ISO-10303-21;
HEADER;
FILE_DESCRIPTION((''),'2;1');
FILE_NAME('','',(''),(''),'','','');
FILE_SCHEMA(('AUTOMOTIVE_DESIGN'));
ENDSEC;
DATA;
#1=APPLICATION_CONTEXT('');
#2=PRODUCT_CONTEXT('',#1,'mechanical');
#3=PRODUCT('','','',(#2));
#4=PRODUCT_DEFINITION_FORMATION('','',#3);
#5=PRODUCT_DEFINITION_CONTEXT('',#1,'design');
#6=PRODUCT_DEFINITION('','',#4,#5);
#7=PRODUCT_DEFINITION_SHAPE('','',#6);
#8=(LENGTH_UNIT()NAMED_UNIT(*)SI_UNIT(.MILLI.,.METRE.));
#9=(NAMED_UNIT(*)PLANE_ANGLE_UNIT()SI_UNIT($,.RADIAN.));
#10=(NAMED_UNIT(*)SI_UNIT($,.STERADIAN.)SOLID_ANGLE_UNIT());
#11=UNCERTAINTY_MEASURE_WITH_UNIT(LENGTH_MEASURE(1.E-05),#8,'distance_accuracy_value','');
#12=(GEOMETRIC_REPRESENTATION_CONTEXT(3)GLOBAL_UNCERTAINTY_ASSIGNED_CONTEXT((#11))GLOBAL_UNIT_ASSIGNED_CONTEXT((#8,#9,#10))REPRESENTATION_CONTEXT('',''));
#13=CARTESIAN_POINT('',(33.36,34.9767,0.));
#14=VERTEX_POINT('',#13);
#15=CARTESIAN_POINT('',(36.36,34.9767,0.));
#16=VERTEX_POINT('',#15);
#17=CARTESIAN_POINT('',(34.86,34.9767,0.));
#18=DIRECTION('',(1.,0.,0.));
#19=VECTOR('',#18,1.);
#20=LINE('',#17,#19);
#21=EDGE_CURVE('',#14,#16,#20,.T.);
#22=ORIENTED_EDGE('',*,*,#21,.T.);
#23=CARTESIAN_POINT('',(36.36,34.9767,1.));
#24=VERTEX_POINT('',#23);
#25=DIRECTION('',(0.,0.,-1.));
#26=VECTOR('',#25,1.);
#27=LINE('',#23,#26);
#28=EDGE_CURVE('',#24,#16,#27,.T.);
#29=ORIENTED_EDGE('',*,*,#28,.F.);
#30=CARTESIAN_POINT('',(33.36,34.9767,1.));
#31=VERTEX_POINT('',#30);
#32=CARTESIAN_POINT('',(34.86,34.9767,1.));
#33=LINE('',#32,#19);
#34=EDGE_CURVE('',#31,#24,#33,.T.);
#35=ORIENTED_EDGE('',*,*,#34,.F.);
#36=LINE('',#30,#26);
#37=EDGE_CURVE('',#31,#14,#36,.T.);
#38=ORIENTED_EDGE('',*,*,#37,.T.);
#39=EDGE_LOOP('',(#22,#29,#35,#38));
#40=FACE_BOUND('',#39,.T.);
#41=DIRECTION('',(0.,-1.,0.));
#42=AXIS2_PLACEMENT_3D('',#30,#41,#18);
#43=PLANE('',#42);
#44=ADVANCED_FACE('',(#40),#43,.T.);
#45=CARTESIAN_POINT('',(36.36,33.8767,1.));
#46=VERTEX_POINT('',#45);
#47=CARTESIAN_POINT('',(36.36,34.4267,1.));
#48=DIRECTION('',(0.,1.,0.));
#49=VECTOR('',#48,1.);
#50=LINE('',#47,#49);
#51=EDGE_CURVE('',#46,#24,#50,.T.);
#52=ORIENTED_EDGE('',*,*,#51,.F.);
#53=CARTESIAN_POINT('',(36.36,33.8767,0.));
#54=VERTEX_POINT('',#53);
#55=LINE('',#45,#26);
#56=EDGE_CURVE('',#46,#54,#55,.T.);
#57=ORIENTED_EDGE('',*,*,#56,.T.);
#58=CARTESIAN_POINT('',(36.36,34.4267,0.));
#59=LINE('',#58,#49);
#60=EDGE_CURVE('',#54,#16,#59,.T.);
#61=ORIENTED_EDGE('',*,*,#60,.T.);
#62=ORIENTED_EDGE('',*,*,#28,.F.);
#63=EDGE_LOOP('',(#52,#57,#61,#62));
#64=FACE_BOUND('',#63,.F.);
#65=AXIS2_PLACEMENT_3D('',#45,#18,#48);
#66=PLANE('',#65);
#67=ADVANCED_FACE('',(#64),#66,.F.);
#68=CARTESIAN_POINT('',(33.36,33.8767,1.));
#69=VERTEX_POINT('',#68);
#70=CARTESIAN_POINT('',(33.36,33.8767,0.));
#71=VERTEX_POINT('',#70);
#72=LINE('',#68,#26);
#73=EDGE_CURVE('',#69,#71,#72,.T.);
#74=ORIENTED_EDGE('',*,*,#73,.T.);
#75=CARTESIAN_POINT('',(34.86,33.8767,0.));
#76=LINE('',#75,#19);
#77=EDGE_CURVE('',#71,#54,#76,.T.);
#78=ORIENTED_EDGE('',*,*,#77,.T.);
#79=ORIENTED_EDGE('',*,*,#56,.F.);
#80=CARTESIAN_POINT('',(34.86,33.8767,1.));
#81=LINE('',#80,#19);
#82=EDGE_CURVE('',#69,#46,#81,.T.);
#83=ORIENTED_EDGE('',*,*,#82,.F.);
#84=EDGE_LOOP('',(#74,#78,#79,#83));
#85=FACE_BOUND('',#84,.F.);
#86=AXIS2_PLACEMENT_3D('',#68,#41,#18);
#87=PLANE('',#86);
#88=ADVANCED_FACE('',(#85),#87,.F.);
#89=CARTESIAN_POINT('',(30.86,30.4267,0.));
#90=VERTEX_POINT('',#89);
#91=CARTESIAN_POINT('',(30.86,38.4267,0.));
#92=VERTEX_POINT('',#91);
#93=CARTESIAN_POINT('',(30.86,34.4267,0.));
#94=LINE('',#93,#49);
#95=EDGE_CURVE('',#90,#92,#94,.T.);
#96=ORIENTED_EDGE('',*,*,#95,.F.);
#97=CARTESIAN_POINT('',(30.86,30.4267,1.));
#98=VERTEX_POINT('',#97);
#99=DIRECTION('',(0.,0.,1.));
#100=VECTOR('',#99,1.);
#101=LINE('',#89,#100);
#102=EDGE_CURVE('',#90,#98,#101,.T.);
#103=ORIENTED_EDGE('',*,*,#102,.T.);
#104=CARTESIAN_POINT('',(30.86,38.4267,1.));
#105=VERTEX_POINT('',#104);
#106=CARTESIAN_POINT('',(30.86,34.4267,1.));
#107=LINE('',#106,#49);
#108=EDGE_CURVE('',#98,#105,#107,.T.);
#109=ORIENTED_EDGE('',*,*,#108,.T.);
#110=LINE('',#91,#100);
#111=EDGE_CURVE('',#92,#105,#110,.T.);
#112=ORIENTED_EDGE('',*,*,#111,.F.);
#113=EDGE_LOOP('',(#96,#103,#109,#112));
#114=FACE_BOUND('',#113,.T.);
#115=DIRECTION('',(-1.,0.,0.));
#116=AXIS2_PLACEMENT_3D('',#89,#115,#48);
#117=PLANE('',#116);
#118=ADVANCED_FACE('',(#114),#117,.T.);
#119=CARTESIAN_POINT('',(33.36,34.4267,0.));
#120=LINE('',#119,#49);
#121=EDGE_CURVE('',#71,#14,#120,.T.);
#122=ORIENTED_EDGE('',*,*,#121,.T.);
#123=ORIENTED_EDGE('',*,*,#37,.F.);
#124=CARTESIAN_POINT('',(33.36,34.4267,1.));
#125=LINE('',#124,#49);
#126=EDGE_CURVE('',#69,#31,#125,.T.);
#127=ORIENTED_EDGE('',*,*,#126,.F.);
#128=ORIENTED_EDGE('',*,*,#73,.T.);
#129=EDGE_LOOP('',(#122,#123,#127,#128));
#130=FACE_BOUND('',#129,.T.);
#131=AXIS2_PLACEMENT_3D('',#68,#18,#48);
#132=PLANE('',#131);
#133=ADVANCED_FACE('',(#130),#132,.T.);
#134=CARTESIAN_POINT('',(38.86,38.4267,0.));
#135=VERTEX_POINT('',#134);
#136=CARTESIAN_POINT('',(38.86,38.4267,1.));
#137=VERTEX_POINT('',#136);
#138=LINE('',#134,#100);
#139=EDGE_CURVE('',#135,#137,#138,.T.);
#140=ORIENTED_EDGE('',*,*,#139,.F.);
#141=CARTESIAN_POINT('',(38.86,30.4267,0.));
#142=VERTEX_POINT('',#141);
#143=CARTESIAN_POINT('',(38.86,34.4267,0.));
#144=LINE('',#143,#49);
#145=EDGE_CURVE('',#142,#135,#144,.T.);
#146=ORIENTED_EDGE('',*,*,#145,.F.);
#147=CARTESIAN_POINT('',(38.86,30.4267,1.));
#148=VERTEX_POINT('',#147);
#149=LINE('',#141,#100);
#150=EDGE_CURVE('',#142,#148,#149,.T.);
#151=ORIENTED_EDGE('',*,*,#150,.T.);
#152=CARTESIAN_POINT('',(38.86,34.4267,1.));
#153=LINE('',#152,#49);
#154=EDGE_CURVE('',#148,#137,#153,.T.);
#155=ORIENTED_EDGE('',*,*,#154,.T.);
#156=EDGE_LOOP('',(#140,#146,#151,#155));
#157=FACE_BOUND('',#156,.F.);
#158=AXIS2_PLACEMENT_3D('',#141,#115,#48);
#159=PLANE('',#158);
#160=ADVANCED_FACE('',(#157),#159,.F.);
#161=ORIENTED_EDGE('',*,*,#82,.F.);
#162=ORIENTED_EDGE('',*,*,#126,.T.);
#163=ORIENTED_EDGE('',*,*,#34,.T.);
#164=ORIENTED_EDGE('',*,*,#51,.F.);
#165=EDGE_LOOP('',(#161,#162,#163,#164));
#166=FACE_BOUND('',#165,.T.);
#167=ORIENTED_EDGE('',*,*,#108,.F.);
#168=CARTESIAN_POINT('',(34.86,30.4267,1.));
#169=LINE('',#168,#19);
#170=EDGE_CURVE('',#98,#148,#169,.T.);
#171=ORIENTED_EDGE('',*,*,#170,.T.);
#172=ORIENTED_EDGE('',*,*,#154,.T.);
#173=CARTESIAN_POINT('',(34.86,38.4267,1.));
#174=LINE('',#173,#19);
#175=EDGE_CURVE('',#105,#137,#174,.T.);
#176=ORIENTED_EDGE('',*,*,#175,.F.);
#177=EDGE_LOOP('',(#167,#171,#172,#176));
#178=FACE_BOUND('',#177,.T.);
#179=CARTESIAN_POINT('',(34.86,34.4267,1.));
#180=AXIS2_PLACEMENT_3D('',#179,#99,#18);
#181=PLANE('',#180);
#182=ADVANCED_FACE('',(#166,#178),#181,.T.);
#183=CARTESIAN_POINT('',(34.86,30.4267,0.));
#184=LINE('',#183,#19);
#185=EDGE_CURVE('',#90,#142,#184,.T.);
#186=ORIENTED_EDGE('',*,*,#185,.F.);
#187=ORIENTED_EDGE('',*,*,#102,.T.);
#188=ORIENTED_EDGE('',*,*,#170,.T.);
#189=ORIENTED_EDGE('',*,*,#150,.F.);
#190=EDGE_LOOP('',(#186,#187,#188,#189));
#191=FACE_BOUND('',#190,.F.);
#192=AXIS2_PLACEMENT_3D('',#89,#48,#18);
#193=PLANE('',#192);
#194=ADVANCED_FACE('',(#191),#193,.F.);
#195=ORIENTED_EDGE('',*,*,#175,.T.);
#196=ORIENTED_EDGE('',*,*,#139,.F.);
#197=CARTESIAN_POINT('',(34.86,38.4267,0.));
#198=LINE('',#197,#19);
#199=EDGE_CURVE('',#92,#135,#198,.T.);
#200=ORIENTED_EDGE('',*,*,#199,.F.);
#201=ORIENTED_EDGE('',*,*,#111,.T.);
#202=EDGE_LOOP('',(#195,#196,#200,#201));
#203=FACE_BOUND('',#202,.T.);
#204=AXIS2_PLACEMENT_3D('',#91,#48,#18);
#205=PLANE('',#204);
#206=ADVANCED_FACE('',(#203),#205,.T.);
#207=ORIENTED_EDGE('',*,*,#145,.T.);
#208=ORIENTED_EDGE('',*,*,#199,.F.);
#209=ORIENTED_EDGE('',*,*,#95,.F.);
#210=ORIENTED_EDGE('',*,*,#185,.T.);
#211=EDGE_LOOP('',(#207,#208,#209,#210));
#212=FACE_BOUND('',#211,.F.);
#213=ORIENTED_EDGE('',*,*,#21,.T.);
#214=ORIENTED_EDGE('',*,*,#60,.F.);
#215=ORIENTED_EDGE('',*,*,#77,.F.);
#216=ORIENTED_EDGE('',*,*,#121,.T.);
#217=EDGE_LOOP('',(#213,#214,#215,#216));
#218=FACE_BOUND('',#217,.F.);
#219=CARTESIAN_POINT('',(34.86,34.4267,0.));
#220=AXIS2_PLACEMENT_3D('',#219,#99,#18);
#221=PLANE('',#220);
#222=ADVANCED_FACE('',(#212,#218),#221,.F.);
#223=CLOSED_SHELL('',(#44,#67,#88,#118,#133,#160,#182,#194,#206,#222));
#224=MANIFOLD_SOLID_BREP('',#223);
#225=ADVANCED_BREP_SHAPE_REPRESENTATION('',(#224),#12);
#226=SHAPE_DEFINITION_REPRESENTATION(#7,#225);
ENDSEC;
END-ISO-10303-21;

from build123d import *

# Parameters (mm, degrees)
SKETCH005_W      = 3
SKETCH005_H      = 1.1
EXTRUDE006_DEPTH = 1
BOX002_W         = 8
BOX002_H         = 8
BOX002_DEPTH     = 1


with BuildPart() as snapslotextrude:
    # Sketch005 (on Face6 of Box002) → Extrude006 (new body)
    with BuildSketch(Plane(origin=(30.86, 30.4267, 1), x_dir=(1, 0, 0), z_dir=(0, 0, 1))):
        with Locations((4, 4)):
            Rectangle(SKETCH005_W, SKETCH005_H)
    extrude(amount=-EXTRUDE006_DEPTH)


with BuildPart() as snapslot:
    # Box002 → Box002 (new body)
    with BuildSketch(Plane(origin=(30.86, 30.4267, 0), x_dir=(1, 0, 0), z_dir=(0, 0, 1))):
        with Locations((4, 4)):
            Rectangle(BOX002_W, BOX002_H)
    extrude(amount=BOX002_DEPTH)

    # Cut001: cut snapSlotExtrude
    add(snapslotextrude.part, mode=Mode.SUBTRACT)


solid = snapslot.part
